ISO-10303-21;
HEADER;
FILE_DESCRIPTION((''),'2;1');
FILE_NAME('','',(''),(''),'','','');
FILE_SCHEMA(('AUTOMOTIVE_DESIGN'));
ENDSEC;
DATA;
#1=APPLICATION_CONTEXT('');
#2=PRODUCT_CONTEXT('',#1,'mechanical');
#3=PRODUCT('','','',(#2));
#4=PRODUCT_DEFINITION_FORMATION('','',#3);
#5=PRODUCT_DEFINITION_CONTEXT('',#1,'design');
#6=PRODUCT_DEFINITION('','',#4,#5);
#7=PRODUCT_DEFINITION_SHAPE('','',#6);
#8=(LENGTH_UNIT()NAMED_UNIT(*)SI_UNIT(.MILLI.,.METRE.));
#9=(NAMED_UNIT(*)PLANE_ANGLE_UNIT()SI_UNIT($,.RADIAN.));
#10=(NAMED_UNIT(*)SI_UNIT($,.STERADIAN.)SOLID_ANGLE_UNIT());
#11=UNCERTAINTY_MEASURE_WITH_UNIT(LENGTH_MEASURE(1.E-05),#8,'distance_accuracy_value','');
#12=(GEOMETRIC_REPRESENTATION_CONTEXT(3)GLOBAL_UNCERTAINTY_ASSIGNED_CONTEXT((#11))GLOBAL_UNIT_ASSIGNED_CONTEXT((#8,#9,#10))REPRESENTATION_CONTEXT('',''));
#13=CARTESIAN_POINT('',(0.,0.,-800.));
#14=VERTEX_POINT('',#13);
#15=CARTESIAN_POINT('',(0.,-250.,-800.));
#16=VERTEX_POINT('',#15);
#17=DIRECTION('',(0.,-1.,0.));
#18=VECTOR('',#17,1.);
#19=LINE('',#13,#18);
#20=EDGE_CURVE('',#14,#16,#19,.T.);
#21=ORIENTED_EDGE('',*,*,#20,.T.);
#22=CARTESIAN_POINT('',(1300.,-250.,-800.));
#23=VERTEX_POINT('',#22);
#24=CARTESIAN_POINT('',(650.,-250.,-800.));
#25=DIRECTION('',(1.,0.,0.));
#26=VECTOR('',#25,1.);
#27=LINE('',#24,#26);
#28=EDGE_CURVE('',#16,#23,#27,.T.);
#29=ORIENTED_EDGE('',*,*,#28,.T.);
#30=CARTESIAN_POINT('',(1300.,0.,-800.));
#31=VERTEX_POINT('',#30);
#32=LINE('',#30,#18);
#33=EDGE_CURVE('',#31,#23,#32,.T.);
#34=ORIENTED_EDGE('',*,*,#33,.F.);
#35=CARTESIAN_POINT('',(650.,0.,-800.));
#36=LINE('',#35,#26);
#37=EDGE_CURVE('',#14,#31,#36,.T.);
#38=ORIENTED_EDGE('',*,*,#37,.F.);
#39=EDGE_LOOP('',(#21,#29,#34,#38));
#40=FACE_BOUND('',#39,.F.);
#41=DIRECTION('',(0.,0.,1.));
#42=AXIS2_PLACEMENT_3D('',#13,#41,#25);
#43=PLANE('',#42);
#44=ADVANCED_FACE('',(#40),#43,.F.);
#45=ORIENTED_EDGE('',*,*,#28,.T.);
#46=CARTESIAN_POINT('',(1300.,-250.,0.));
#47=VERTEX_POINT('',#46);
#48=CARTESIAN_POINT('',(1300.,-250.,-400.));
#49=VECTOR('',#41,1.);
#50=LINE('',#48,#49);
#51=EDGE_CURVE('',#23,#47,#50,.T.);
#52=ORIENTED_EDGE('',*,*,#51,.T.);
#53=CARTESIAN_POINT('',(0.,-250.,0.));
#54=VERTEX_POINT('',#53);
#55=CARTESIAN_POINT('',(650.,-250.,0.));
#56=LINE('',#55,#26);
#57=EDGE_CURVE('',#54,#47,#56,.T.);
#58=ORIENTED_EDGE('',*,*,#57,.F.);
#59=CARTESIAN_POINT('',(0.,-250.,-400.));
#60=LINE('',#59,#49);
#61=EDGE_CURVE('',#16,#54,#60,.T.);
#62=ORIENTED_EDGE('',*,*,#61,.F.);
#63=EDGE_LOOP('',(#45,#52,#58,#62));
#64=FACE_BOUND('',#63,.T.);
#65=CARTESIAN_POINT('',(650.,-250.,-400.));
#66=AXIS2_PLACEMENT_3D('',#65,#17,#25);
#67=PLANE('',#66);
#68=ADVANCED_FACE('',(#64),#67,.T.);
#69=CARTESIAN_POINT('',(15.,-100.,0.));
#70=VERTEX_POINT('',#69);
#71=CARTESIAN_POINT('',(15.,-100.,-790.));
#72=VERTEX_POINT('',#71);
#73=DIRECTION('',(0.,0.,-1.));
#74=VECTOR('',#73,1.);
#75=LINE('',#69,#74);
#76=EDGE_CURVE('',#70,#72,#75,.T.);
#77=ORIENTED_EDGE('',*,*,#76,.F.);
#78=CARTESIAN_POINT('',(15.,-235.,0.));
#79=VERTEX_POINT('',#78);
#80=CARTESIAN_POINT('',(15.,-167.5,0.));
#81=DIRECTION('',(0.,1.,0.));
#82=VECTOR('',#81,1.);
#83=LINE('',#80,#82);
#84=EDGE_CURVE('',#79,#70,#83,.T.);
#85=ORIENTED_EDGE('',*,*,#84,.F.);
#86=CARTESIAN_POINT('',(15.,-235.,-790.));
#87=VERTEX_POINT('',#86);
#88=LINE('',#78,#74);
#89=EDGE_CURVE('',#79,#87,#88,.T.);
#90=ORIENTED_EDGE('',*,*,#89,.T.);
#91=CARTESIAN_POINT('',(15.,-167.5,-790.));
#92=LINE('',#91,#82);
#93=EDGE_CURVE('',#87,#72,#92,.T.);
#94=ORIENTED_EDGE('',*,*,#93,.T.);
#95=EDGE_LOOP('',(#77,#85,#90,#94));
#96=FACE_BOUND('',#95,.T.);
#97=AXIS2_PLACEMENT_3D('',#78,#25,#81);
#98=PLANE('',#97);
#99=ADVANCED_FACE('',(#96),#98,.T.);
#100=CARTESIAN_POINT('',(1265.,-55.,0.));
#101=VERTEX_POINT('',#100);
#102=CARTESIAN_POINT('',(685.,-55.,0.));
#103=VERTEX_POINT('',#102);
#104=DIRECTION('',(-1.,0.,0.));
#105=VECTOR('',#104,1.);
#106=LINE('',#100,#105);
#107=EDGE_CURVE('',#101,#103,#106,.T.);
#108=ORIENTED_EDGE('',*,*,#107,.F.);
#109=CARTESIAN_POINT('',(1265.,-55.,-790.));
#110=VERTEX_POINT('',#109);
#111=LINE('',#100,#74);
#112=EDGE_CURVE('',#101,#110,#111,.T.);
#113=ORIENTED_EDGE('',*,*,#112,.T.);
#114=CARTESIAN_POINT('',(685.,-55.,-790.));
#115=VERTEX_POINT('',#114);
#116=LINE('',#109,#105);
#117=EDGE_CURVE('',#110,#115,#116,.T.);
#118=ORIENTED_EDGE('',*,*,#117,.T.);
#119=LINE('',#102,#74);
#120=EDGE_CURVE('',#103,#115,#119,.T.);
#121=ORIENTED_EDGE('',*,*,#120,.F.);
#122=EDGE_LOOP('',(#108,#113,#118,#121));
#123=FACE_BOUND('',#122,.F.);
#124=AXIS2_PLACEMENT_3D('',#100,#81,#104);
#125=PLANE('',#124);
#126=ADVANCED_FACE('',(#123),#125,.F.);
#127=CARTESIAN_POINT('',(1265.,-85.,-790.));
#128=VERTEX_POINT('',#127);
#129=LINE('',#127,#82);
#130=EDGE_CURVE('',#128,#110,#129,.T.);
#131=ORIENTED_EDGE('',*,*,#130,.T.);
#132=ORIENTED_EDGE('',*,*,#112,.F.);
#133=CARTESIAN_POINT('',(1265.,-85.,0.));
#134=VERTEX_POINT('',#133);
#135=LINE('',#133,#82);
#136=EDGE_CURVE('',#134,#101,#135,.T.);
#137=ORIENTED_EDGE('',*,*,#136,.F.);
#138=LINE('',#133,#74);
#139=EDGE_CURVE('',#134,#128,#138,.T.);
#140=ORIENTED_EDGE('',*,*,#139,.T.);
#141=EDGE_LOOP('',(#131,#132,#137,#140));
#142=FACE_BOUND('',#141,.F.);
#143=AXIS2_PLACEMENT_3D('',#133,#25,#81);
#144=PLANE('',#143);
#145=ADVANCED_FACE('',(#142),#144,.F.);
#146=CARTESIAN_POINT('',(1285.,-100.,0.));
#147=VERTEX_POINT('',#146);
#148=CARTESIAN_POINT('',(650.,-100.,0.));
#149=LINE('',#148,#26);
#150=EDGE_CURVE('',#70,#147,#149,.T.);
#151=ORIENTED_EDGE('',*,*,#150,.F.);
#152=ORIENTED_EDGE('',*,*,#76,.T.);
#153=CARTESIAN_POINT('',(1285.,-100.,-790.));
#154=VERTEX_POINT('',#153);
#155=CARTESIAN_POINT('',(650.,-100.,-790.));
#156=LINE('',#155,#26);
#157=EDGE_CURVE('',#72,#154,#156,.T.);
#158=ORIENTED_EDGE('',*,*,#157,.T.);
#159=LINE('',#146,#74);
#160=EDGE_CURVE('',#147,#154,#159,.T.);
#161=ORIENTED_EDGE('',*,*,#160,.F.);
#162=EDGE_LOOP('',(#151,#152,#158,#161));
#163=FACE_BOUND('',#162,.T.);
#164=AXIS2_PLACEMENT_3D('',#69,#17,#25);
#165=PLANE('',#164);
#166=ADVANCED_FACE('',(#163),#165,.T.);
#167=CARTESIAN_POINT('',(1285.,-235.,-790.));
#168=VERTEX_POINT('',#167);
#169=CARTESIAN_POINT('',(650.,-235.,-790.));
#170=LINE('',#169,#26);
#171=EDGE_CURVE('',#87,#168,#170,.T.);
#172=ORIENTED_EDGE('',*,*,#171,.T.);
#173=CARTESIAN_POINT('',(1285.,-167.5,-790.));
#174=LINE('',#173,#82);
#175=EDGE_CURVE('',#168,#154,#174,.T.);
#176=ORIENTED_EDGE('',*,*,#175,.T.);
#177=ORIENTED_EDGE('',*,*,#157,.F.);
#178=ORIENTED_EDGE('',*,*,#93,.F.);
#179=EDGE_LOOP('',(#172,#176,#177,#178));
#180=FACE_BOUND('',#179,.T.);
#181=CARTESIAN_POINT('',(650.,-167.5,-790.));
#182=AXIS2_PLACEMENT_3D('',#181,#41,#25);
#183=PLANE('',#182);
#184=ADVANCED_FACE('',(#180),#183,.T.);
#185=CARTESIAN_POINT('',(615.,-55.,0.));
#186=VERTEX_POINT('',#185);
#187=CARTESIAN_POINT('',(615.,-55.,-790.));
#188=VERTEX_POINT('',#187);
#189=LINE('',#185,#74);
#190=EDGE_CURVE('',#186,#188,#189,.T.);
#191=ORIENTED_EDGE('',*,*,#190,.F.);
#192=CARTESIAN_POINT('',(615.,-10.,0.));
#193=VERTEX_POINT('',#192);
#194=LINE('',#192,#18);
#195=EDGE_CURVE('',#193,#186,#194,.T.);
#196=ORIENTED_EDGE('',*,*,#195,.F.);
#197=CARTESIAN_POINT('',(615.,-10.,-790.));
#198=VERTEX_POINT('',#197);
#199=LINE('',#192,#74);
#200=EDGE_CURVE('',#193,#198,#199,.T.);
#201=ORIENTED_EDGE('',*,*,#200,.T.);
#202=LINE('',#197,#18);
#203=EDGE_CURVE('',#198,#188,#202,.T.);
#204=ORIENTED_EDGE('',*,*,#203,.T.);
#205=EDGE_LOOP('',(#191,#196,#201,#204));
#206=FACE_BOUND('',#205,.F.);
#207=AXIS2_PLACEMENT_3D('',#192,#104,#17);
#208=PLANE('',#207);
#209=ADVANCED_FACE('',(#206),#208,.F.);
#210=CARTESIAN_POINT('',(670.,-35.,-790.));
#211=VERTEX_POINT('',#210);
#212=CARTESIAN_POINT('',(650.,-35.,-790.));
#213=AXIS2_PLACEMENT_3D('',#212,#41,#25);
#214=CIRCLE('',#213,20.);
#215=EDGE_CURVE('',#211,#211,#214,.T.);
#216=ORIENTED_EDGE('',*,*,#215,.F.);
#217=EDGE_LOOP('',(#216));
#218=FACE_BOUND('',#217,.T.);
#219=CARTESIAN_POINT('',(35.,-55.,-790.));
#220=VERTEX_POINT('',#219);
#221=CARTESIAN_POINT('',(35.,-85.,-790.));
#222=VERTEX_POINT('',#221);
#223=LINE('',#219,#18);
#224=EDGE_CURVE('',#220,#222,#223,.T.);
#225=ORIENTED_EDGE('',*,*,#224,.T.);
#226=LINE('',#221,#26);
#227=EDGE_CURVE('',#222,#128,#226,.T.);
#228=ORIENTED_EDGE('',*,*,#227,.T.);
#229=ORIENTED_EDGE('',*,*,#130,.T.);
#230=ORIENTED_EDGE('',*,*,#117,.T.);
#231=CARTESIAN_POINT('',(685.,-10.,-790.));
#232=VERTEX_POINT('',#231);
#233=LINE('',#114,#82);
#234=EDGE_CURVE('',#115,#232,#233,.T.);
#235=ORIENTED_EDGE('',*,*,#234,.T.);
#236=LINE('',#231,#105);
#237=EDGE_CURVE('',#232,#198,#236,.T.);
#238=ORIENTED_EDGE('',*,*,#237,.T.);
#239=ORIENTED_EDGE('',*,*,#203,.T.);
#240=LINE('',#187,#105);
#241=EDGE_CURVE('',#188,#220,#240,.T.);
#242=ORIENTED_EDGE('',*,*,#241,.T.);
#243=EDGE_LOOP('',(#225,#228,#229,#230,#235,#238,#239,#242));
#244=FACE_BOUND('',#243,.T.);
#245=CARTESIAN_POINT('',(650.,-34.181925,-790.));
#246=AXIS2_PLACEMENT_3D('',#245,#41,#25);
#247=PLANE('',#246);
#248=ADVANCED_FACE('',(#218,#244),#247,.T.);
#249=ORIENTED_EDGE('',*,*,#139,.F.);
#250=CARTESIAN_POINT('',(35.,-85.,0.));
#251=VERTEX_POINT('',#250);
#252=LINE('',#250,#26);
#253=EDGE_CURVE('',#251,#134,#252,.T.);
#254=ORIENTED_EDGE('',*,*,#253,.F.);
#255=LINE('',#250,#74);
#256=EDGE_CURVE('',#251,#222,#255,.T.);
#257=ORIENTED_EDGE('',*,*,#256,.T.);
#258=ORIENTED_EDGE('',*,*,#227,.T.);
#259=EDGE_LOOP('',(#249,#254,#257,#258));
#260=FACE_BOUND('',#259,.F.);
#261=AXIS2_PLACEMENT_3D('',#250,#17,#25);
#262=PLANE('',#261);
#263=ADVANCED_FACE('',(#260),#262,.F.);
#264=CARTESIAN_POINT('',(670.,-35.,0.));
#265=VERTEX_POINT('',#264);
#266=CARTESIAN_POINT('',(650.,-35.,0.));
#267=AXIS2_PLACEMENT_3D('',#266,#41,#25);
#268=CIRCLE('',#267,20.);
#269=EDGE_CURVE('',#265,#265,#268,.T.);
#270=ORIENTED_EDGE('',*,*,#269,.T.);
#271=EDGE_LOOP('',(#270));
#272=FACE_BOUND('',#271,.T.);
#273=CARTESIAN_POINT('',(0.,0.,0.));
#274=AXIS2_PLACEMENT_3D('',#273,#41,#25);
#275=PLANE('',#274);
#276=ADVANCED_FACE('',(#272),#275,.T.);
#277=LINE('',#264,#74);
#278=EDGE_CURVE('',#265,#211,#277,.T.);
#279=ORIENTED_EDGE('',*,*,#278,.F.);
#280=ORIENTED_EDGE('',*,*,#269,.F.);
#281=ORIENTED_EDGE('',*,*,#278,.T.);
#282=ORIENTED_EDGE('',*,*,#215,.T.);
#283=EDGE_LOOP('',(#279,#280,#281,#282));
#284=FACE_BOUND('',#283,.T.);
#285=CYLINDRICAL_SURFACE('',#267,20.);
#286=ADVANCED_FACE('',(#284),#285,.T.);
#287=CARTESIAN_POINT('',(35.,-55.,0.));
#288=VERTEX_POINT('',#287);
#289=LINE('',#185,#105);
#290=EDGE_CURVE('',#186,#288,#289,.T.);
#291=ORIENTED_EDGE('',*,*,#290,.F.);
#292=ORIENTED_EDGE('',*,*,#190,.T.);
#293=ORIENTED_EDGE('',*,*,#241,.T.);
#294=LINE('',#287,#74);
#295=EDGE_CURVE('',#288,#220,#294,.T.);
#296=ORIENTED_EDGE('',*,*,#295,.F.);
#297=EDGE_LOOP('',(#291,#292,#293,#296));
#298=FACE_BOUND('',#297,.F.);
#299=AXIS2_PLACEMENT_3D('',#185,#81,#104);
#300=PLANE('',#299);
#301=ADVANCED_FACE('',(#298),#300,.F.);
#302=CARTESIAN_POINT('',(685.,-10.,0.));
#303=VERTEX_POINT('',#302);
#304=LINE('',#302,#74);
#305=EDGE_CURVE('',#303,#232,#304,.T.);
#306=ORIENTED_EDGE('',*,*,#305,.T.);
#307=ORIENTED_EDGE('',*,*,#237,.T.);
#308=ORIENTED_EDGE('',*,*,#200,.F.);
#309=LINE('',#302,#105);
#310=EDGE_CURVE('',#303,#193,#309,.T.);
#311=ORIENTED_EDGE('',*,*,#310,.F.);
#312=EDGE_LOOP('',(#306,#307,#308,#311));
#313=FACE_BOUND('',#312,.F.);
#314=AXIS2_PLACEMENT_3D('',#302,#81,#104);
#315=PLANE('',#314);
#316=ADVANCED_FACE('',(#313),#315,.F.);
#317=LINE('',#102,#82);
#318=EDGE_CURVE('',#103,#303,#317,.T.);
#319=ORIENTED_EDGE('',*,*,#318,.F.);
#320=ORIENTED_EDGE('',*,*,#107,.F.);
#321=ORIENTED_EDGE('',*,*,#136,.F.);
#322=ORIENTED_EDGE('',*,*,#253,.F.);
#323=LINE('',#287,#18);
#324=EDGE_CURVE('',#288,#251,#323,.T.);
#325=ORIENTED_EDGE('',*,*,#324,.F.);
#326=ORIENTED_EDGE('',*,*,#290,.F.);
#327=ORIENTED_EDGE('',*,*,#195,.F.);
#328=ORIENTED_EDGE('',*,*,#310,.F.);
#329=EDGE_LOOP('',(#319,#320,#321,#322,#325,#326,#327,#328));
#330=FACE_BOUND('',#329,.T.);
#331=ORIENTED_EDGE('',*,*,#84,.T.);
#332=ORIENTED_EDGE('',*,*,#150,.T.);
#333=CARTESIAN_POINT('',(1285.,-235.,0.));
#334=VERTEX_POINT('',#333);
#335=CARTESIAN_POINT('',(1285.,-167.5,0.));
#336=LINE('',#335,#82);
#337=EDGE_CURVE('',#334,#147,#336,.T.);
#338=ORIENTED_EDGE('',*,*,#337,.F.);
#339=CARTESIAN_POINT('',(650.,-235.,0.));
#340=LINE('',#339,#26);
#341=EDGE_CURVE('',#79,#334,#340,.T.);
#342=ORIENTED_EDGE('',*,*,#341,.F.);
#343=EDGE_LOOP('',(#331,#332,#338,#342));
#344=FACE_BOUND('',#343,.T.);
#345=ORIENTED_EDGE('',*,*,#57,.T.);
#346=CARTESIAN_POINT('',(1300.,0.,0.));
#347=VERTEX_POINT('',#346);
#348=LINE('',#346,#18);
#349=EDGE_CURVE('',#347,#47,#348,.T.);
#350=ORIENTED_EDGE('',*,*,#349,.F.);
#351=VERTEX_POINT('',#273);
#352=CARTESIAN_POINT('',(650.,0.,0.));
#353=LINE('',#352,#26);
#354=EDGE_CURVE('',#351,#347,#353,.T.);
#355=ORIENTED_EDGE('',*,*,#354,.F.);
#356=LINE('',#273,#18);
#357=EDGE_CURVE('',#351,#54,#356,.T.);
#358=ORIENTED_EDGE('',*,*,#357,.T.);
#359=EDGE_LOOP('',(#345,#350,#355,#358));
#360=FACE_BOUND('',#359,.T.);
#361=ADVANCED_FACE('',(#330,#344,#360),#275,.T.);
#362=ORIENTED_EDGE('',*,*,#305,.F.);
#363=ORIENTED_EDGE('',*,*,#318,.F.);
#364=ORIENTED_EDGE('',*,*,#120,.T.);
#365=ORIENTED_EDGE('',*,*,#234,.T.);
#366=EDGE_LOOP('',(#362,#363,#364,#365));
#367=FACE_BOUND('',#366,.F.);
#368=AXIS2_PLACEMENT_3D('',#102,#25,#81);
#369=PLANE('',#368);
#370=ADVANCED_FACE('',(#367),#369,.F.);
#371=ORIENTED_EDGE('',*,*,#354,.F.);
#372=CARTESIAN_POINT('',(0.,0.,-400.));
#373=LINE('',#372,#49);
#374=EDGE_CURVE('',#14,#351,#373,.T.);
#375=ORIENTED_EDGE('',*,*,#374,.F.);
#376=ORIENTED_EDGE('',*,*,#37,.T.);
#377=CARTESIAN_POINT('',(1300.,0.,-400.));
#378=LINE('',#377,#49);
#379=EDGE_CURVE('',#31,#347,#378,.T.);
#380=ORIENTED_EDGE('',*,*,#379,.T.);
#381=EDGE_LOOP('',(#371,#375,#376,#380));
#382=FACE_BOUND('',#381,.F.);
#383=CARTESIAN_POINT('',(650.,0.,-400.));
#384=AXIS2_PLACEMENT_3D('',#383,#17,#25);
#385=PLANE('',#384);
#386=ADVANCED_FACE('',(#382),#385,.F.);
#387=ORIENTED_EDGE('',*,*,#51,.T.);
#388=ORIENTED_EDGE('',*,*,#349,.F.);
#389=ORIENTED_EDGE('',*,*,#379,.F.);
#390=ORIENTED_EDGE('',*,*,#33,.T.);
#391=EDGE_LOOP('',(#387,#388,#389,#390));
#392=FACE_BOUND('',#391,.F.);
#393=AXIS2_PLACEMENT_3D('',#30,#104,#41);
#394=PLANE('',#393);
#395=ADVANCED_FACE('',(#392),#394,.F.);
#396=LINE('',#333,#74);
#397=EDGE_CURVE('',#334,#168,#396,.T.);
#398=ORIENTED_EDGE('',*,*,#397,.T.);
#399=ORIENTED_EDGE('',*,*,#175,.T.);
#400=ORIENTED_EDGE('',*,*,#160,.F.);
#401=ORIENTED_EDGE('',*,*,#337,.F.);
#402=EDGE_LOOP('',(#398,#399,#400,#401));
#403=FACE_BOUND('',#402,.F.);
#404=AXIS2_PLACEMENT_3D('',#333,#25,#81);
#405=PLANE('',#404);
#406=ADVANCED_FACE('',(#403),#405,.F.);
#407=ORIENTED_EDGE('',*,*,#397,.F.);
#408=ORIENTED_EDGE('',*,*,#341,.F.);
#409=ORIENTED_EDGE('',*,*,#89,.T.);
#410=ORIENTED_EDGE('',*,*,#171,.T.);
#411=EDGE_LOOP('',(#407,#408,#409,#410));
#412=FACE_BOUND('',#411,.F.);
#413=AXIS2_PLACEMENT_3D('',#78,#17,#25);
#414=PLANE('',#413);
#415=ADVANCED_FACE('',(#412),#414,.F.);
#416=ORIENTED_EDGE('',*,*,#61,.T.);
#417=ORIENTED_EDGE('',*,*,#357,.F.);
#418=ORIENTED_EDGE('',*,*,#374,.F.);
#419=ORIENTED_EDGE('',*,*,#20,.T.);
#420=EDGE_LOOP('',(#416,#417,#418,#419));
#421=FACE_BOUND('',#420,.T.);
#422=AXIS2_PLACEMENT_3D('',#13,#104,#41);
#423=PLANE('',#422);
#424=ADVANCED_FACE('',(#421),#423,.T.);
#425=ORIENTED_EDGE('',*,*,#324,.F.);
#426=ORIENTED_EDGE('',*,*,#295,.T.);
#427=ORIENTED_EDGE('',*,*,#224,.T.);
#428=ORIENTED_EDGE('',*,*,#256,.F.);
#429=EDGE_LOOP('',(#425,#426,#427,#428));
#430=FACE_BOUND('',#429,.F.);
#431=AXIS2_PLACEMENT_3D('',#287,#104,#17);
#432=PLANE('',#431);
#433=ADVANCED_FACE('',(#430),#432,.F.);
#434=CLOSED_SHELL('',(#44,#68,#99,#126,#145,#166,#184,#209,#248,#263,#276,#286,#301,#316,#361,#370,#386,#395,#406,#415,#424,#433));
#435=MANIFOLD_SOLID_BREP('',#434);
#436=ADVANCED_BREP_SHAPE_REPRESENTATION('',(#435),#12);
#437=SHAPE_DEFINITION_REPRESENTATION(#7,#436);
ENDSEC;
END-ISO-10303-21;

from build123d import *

# Parameters (mm, degrees)
F0_W     = 1300
F0_H     = 800
F1_DEPTH = 250
F2_R     = 20
F2_W     = 1270
F2_H     = 135
F3_DEPTH = 790


with BuildPart() as f1:
    # F0 (on Front) → F1 (new body)
    with BuildSketch(Plane.XZ):
        with Locations((650, -400)):
            Rectangle(F0_W, F0_H)
    extrude(amount=F1_DEPTH)

    # F2 (on face) → F3 (cut)
    with BuildSketch(Plane.XY):
        with BuildLine():
            ThreePointArc((675, -35), (667.67767, -17.32233), (650, -10))
            ThreePointArc((650, -10), (632.32233, -17.32233), (625, -35))
            ThreePointArc((625, -35), (650, -60), (675, -35))
        make_face()
        with Locations((650, -35)):
            Circle(F2_R, mode=Mode.SUBTRACT)
        with BuildLine():
            Line((625, -10), (615, -10))
            Line((615, -10), (615, -55))
            Line((615, -55), (35, -55))
            Line((35, -55), (35, -85))
            Line((35, -85), (1265, -85))
            Line((1265, -85), (1265, -55))
            Line((1265, -55), (685, -55))
            Line((685, -55), (685, -10))
            Line((685, -10), (675, -10))
            Line((675, -10), (675, -35))
            ThreePointArc((675, -35), (650, -60), (625, -35))
            Line((625, -35), (625, -10))
        make_face()
        with BuildLine():
            Line((675, -10), (650, -10))
            ThreePointArc((650, -10), (667.67767, -17.32233), (675, -35))
            Line((675, -35), (675, -10))
        make_face()
        with BuildLine():
            Line((650, -10), (625, -10))
            Line((625, -10), (625, -35))
            ThreePointArc((625, -35), (632.32233, -17.32233), (650, -10))
        make_face()
        with Locations((650, -167.5)):
            Rectangle(F2_W, F2_H)
    extrude(amount=-F3_DEPTH, mode=Mode.SUBTRACT)


solid = f1.part
